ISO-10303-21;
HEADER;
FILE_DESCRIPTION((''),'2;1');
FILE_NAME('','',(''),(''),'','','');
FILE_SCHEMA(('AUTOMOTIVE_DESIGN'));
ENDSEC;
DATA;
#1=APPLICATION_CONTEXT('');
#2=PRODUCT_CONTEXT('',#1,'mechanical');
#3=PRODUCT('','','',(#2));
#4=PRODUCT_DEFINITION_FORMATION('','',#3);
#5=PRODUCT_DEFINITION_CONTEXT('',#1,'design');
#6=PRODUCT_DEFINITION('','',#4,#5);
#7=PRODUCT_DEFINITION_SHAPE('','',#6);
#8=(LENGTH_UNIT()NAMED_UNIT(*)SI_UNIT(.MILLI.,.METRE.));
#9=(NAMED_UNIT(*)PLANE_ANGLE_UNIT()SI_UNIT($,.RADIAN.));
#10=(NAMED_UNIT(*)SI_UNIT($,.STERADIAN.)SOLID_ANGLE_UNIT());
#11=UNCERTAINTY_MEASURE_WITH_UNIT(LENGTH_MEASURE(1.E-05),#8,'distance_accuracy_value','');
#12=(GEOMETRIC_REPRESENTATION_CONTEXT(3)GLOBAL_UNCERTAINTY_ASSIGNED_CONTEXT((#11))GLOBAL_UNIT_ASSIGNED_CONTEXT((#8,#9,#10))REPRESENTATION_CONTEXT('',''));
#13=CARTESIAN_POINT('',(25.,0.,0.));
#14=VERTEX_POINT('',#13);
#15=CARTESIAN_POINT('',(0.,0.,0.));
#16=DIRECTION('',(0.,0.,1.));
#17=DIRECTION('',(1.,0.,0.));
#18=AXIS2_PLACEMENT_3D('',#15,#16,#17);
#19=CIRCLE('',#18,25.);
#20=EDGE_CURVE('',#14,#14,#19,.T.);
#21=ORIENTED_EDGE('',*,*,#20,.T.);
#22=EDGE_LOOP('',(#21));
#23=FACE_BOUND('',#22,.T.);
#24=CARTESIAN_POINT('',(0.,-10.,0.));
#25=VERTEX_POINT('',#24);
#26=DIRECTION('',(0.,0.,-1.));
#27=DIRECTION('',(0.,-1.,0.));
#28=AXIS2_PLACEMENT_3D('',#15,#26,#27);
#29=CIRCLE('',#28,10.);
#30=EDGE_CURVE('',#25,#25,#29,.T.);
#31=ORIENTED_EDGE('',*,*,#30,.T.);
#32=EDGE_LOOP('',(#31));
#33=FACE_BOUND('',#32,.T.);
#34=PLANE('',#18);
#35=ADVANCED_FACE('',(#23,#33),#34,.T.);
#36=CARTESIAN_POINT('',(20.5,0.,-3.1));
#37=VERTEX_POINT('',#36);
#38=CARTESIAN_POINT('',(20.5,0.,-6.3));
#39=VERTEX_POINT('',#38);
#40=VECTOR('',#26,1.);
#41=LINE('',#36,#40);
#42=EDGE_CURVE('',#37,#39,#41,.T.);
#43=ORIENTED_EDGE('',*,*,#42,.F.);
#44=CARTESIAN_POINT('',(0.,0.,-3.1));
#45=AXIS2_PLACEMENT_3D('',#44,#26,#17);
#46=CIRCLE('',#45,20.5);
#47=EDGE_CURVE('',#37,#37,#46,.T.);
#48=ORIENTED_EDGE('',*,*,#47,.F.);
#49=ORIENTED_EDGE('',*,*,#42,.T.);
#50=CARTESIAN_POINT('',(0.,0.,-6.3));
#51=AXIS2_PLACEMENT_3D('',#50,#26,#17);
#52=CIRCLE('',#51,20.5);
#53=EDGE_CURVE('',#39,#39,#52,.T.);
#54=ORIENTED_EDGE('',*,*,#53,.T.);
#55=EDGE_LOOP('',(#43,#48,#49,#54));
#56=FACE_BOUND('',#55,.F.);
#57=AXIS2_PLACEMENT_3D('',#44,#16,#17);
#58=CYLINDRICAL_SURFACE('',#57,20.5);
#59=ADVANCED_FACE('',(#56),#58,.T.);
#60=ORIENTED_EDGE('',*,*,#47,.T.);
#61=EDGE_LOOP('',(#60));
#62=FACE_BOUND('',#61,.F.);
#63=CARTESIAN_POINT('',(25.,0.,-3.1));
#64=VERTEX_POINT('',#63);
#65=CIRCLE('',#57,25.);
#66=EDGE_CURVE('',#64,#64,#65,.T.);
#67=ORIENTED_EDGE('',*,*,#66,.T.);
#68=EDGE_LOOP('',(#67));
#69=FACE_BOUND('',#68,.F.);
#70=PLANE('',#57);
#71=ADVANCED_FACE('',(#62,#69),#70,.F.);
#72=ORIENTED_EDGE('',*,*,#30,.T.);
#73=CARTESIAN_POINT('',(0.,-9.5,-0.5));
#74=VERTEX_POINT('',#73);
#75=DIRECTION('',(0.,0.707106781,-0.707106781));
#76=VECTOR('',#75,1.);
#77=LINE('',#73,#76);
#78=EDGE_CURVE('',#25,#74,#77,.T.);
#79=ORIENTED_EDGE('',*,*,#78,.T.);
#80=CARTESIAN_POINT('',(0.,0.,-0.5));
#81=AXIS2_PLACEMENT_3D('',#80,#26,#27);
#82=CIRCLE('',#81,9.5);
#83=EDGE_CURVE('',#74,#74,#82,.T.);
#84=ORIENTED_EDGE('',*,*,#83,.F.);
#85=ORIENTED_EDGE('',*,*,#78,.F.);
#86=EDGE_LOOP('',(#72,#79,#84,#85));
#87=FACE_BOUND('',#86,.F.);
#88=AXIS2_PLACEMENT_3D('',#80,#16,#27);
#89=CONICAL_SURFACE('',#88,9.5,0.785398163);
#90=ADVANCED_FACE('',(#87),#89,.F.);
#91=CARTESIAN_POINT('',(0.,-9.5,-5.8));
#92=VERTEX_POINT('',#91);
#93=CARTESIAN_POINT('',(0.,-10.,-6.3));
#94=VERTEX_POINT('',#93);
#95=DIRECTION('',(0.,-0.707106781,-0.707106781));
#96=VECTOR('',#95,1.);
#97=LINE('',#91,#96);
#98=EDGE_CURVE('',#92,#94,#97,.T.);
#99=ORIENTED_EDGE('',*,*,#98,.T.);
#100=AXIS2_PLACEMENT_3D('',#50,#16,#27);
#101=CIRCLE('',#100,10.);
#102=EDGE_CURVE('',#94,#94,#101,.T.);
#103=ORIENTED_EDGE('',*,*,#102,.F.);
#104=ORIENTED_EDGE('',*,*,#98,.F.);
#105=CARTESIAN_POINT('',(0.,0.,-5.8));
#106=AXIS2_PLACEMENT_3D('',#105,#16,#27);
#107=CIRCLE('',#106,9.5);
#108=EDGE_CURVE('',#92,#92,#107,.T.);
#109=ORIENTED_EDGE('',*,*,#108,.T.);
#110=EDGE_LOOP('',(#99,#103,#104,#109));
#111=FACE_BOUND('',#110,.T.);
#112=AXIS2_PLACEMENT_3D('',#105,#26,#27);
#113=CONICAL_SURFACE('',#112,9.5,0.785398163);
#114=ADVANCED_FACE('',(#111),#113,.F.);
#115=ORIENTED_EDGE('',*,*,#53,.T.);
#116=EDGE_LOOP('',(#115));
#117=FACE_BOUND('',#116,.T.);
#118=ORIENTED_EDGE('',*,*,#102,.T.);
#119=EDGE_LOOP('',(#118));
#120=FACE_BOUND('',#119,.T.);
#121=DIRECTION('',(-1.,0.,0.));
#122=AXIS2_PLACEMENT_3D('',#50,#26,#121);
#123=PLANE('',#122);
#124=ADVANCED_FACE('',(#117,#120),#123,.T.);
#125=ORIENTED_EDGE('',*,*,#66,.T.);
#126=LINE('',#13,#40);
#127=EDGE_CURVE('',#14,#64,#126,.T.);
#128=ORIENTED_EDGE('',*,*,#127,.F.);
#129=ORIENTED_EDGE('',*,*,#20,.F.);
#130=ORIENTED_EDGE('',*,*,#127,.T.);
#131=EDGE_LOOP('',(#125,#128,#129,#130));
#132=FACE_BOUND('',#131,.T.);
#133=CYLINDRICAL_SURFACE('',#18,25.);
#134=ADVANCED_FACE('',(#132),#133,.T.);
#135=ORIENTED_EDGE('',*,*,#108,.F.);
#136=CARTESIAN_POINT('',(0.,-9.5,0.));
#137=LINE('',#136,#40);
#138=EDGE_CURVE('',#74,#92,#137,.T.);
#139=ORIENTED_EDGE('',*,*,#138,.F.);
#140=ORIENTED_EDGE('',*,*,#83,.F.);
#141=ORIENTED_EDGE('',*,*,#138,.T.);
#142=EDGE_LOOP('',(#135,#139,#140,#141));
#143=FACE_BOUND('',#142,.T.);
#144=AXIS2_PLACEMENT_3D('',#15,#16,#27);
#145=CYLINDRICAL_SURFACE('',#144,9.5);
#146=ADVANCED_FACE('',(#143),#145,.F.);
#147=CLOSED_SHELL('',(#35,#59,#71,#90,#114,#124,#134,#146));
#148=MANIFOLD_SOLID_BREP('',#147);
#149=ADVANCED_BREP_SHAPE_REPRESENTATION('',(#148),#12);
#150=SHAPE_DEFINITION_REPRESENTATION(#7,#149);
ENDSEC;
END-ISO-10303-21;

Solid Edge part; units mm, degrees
sketch "Sketch1" plane through (0, 0, 0) normal (0, 0, 1) x (1, 0, 0)
  circle A0 centre (0, 0) radius 25
extrude "Protrusion1" add sketch "Sketch1" against normal blind 3.1
sketch "Sketch2" plane through (0, 0, -3.1) normal (0, 0, -1) x (1, 0, 0)
  circle A0 centre (0, 0) radius 20.5
extrude "Protrusion2" add sketch "Sketch2" along normal blind 3.2
hole "Hole1" at (0, 0, 0) direction (0, 0, -1) diameter 19 end up to next
chamfer "Chamfer1" distance 0.5 angle 45 2 edges at (-9.5, 0, -6.3) (-9.5, 0, 0)
properties part number "75356"
